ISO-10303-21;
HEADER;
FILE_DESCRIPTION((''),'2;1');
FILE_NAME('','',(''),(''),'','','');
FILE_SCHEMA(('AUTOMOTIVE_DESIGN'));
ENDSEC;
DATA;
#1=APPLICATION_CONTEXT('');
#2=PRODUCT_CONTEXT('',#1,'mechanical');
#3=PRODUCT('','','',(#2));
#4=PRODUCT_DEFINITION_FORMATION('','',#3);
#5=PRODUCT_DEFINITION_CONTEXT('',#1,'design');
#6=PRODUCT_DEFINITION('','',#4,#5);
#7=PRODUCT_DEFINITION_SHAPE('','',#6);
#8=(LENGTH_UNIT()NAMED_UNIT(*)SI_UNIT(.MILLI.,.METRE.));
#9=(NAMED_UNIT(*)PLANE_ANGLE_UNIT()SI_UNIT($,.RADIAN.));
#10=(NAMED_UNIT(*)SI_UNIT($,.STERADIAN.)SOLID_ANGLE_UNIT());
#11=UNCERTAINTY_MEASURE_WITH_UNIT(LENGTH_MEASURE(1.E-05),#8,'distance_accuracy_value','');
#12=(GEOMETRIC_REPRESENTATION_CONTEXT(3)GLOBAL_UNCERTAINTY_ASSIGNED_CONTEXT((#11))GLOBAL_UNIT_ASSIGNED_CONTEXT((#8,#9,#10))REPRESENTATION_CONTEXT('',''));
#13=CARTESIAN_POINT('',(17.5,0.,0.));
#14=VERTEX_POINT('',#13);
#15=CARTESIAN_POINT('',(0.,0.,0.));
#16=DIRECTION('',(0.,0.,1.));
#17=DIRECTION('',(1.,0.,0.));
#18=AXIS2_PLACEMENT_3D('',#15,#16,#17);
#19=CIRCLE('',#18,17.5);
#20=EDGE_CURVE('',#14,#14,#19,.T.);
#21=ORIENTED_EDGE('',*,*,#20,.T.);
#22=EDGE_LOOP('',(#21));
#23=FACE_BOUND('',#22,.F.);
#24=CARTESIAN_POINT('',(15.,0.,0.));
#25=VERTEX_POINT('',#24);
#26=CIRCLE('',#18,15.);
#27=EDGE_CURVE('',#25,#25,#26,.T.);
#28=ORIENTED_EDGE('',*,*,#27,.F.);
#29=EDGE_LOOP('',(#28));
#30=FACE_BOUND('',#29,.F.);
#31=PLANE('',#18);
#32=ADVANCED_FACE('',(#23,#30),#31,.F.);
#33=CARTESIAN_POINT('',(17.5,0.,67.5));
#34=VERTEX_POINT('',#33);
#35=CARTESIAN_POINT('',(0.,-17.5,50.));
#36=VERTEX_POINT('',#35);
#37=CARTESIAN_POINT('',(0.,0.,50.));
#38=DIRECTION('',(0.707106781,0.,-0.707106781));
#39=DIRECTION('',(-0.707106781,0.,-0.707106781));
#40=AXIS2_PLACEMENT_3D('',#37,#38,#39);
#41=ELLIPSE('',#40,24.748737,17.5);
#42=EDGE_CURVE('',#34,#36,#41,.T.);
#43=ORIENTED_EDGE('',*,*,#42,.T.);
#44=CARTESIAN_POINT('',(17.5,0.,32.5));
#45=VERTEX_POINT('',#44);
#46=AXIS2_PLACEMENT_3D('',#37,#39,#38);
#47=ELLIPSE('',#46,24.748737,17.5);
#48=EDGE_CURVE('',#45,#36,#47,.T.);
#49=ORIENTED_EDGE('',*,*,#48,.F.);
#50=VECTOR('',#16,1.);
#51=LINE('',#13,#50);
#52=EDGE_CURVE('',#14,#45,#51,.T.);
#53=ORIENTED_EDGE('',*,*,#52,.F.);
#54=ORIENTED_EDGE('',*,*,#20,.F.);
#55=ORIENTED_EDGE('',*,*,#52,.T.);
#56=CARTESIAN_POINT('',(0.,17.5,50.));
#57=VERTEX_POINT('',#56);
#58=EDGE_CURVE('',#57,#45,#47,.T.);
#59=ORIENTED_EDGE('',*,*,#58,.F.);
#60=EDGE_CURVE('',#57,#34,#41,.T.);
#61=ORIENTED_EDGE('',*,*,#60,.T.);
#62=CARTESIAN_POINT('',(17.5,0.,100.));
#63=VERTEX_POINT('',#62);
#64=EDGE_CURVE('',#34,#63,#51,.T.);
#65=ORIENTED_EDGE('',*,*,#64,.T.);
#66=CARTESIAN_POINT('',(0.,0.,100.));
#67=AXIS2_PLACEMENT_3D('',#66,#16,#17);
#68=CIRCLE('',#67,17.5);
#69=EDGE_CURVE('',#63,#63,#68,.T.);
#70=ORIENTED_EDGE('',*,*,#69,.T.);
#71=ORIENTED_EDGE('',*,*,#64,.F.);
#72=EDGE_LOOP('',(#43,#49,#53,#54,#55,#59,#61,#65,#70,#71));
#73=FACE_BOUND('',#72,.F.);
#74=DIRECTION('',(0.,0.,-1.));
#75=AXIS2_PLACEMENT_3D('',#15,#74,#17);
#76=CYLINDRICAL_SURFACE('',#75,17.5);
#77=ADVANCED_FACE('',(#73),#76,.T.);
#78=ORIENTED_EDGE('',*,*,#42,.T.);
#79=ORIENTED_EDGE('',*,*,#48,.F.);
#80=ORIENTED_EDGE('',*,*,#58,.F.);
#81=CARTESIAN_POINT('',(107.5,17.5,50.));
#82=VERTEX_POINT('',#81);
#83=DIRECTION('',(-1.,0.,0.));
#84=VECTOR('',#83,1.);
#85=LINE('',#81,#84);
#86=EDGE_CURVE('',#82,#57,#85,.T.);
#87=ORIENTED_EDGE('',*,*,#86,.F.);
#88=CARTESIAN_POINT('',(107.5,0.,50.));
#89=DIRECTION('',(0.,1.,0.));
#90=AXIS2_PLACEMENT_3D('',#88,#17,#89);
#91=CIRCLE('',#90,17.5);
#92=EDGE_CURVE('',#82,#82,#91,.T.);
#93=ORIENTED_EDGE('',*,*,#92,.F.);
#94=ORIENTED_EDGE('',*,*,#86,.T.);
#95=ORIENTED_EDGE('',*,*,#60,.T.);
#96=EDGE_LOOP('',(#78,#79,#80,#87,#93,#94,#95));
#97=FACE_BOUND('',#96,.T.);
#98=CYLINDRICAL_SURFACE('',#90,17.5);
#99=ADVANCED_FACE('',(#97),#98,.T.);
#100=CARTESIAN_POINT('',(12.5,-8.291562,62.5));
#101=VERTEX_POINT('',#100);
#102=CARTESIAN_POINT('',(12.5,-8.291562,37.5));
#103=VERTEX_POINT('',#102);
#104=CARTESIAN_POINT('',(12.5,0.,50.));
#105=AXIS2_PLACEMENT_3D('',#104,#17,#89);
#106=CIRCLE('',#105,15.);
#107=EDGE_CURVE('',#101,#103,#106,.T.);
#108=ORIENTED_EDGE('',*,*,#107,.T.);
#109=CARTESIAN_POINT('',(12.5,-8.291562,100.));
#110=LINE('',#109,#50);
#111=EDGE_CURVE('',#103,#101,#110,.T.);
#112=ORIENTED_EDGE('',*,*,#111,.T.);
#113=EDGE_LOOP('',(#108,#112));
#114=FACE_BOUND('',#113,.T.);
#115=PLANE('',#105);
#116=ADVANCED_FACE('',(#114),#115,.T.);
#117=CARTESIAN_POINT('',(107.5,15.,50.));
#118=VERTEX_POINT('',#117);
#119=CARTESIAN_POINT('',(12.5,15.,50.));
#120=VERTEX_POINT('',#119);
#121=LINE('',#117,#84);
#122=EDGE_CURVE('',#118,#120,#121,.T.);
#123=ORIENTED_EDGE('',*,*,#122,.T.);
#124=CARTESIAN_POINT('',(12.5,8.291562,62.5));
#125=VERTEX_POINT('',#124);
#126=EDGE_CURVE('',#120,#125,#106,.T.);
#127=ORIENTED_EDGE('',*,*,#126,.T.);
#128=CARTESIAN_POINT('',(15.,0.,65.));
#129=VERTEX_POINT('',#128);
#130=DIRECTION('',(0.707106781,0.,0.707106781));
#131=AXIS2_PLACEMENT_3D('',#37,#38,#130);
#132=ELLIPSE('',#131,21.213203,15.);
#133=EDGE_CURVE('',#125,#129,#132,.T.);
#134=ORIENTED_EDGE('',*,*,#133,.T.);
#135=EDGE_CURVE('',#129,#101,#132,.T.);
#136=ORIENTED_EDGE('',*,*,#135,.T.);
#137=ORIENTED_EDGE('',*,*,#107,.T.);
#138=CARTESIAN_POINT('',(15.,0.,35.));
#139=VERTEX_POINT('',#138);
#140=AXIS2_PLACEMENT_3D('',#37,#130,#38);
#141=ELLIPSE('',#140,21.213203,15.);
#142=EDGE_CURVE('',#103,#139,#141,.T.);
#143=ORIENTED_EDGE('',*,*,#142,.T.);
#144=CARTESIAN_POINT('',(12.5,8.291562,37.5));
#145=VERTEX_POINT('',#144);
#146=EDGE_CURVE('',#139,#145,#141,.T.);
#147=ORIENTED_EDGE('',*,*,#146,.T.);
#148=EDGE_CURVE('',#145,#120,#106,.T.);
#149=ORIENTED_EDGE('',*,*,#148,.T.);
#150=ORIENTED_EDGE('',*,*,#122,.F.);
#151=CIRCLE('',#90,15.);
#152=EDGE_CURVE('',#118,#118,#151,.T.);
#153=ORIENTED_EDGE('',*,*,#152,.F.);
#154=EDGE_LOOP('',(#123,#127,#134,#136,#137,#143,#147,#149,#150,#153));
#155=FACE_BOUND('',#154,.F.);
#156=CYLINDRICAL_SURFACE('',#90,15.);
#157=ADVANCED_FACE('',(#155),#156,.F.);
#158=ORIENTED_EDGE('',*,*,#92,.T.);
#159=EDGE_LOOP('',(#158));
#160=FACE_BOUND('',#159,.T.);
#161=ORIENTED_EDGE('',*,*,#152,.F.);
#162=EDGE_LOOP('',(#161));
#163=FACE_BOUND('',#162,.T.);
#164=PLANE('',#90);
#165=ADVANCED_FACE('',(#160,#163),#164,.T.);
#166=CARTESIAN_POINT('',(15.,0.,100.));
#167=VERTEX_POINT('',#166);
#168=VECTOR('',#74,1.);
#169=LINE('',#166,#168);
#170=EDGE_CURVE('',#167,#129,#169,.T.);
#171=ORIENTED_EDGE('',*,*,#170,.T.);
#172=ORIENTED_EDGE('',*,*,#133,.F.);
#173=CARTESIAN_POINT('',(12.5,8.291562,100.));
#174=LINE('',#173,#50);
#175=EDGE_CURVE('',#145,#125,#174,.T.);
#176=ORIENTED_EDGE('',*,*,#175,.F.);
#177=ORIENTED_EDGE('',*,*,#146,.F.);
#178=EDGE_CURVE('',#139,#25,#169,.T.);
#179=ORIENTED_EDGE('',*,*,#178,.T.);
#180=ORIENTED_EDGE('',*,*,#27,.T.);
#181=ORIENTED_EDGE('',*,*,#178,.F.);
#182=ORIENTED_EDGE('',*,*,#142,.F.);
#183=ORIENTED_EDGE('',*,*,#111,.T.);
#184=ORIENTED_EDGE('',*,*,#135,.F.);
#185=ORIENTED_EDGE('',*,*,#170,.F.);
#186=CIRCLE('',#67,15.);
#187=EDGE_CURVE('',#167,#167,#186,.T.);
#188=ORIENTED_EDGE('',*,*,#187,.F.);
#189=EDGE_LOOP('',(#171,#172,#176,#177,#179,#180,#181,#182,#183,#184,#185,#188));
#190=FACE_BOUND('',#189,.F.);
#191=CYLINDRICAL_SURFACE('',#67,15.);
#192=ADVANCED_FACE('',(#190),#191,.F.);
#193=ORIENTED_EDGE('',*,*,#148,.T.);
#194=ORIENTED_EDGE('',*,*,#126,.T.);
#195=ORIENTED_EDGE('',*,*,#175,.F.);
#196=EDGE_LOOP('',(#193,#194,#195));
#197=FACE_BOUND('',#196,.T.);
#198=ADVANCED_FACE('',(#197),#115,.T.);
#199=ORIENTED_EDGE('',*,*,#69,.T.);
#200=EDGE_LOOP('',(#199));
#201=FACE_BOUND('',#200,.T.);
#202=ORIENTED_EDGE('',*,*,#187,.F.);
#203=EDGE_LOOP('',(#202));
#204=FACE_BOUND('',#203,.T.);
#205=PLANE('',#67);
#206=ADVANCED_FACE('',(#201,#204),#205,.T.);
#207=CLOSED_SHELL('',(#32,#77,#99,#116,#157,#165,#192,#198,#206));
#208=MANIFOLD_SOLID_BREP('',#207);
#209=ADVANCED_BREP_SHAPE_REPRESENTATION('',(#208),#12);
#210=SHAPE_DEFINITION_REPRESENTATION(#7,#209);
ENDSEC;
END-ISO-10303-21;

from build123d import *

# Parameters (mm, degrees)
F0_R     = 17.5
F1_DEPTH = 100
F3_R     = 17.5
F4_DEPTH = 107.5
F5_R     = 15
F7_DEPTH = 95
F6_R     = 15
F8_DEPTH = 100


with BuildPart() as f1:
    # F0 (on Top) → F1 (new body)
    with BuildSketch(Plane.XY):
        Circle(F0_R)
    extrude(amount=F1_DEPTH)

    # F3 (on offset) → F4 (join)
    with BuildSketch(Plane.YZ.offset(107.5)):
        with Locations((0, 50)):
            Circle(F3_R)
    extrude(amount=-F4_DEPTH)

    # F5 (on face) → F7 (cut)
    with BuildSketch(Plane.YZ.offset(107.5)):
        with Locations((0, 50)):
            Circle(F5_R)
    extrude(amount=-F7_DEPTH, mode=Mode.SUBTRACT)

    # F6 (on face) → F8 (cut, through all)
    with BuildSketch(Plane.XY.offset(100)):
        Circle(F6_R)
    extrude(amount=-F8_DEPTH, mode=Mode.SUBTRACT)


solid = f1.part
